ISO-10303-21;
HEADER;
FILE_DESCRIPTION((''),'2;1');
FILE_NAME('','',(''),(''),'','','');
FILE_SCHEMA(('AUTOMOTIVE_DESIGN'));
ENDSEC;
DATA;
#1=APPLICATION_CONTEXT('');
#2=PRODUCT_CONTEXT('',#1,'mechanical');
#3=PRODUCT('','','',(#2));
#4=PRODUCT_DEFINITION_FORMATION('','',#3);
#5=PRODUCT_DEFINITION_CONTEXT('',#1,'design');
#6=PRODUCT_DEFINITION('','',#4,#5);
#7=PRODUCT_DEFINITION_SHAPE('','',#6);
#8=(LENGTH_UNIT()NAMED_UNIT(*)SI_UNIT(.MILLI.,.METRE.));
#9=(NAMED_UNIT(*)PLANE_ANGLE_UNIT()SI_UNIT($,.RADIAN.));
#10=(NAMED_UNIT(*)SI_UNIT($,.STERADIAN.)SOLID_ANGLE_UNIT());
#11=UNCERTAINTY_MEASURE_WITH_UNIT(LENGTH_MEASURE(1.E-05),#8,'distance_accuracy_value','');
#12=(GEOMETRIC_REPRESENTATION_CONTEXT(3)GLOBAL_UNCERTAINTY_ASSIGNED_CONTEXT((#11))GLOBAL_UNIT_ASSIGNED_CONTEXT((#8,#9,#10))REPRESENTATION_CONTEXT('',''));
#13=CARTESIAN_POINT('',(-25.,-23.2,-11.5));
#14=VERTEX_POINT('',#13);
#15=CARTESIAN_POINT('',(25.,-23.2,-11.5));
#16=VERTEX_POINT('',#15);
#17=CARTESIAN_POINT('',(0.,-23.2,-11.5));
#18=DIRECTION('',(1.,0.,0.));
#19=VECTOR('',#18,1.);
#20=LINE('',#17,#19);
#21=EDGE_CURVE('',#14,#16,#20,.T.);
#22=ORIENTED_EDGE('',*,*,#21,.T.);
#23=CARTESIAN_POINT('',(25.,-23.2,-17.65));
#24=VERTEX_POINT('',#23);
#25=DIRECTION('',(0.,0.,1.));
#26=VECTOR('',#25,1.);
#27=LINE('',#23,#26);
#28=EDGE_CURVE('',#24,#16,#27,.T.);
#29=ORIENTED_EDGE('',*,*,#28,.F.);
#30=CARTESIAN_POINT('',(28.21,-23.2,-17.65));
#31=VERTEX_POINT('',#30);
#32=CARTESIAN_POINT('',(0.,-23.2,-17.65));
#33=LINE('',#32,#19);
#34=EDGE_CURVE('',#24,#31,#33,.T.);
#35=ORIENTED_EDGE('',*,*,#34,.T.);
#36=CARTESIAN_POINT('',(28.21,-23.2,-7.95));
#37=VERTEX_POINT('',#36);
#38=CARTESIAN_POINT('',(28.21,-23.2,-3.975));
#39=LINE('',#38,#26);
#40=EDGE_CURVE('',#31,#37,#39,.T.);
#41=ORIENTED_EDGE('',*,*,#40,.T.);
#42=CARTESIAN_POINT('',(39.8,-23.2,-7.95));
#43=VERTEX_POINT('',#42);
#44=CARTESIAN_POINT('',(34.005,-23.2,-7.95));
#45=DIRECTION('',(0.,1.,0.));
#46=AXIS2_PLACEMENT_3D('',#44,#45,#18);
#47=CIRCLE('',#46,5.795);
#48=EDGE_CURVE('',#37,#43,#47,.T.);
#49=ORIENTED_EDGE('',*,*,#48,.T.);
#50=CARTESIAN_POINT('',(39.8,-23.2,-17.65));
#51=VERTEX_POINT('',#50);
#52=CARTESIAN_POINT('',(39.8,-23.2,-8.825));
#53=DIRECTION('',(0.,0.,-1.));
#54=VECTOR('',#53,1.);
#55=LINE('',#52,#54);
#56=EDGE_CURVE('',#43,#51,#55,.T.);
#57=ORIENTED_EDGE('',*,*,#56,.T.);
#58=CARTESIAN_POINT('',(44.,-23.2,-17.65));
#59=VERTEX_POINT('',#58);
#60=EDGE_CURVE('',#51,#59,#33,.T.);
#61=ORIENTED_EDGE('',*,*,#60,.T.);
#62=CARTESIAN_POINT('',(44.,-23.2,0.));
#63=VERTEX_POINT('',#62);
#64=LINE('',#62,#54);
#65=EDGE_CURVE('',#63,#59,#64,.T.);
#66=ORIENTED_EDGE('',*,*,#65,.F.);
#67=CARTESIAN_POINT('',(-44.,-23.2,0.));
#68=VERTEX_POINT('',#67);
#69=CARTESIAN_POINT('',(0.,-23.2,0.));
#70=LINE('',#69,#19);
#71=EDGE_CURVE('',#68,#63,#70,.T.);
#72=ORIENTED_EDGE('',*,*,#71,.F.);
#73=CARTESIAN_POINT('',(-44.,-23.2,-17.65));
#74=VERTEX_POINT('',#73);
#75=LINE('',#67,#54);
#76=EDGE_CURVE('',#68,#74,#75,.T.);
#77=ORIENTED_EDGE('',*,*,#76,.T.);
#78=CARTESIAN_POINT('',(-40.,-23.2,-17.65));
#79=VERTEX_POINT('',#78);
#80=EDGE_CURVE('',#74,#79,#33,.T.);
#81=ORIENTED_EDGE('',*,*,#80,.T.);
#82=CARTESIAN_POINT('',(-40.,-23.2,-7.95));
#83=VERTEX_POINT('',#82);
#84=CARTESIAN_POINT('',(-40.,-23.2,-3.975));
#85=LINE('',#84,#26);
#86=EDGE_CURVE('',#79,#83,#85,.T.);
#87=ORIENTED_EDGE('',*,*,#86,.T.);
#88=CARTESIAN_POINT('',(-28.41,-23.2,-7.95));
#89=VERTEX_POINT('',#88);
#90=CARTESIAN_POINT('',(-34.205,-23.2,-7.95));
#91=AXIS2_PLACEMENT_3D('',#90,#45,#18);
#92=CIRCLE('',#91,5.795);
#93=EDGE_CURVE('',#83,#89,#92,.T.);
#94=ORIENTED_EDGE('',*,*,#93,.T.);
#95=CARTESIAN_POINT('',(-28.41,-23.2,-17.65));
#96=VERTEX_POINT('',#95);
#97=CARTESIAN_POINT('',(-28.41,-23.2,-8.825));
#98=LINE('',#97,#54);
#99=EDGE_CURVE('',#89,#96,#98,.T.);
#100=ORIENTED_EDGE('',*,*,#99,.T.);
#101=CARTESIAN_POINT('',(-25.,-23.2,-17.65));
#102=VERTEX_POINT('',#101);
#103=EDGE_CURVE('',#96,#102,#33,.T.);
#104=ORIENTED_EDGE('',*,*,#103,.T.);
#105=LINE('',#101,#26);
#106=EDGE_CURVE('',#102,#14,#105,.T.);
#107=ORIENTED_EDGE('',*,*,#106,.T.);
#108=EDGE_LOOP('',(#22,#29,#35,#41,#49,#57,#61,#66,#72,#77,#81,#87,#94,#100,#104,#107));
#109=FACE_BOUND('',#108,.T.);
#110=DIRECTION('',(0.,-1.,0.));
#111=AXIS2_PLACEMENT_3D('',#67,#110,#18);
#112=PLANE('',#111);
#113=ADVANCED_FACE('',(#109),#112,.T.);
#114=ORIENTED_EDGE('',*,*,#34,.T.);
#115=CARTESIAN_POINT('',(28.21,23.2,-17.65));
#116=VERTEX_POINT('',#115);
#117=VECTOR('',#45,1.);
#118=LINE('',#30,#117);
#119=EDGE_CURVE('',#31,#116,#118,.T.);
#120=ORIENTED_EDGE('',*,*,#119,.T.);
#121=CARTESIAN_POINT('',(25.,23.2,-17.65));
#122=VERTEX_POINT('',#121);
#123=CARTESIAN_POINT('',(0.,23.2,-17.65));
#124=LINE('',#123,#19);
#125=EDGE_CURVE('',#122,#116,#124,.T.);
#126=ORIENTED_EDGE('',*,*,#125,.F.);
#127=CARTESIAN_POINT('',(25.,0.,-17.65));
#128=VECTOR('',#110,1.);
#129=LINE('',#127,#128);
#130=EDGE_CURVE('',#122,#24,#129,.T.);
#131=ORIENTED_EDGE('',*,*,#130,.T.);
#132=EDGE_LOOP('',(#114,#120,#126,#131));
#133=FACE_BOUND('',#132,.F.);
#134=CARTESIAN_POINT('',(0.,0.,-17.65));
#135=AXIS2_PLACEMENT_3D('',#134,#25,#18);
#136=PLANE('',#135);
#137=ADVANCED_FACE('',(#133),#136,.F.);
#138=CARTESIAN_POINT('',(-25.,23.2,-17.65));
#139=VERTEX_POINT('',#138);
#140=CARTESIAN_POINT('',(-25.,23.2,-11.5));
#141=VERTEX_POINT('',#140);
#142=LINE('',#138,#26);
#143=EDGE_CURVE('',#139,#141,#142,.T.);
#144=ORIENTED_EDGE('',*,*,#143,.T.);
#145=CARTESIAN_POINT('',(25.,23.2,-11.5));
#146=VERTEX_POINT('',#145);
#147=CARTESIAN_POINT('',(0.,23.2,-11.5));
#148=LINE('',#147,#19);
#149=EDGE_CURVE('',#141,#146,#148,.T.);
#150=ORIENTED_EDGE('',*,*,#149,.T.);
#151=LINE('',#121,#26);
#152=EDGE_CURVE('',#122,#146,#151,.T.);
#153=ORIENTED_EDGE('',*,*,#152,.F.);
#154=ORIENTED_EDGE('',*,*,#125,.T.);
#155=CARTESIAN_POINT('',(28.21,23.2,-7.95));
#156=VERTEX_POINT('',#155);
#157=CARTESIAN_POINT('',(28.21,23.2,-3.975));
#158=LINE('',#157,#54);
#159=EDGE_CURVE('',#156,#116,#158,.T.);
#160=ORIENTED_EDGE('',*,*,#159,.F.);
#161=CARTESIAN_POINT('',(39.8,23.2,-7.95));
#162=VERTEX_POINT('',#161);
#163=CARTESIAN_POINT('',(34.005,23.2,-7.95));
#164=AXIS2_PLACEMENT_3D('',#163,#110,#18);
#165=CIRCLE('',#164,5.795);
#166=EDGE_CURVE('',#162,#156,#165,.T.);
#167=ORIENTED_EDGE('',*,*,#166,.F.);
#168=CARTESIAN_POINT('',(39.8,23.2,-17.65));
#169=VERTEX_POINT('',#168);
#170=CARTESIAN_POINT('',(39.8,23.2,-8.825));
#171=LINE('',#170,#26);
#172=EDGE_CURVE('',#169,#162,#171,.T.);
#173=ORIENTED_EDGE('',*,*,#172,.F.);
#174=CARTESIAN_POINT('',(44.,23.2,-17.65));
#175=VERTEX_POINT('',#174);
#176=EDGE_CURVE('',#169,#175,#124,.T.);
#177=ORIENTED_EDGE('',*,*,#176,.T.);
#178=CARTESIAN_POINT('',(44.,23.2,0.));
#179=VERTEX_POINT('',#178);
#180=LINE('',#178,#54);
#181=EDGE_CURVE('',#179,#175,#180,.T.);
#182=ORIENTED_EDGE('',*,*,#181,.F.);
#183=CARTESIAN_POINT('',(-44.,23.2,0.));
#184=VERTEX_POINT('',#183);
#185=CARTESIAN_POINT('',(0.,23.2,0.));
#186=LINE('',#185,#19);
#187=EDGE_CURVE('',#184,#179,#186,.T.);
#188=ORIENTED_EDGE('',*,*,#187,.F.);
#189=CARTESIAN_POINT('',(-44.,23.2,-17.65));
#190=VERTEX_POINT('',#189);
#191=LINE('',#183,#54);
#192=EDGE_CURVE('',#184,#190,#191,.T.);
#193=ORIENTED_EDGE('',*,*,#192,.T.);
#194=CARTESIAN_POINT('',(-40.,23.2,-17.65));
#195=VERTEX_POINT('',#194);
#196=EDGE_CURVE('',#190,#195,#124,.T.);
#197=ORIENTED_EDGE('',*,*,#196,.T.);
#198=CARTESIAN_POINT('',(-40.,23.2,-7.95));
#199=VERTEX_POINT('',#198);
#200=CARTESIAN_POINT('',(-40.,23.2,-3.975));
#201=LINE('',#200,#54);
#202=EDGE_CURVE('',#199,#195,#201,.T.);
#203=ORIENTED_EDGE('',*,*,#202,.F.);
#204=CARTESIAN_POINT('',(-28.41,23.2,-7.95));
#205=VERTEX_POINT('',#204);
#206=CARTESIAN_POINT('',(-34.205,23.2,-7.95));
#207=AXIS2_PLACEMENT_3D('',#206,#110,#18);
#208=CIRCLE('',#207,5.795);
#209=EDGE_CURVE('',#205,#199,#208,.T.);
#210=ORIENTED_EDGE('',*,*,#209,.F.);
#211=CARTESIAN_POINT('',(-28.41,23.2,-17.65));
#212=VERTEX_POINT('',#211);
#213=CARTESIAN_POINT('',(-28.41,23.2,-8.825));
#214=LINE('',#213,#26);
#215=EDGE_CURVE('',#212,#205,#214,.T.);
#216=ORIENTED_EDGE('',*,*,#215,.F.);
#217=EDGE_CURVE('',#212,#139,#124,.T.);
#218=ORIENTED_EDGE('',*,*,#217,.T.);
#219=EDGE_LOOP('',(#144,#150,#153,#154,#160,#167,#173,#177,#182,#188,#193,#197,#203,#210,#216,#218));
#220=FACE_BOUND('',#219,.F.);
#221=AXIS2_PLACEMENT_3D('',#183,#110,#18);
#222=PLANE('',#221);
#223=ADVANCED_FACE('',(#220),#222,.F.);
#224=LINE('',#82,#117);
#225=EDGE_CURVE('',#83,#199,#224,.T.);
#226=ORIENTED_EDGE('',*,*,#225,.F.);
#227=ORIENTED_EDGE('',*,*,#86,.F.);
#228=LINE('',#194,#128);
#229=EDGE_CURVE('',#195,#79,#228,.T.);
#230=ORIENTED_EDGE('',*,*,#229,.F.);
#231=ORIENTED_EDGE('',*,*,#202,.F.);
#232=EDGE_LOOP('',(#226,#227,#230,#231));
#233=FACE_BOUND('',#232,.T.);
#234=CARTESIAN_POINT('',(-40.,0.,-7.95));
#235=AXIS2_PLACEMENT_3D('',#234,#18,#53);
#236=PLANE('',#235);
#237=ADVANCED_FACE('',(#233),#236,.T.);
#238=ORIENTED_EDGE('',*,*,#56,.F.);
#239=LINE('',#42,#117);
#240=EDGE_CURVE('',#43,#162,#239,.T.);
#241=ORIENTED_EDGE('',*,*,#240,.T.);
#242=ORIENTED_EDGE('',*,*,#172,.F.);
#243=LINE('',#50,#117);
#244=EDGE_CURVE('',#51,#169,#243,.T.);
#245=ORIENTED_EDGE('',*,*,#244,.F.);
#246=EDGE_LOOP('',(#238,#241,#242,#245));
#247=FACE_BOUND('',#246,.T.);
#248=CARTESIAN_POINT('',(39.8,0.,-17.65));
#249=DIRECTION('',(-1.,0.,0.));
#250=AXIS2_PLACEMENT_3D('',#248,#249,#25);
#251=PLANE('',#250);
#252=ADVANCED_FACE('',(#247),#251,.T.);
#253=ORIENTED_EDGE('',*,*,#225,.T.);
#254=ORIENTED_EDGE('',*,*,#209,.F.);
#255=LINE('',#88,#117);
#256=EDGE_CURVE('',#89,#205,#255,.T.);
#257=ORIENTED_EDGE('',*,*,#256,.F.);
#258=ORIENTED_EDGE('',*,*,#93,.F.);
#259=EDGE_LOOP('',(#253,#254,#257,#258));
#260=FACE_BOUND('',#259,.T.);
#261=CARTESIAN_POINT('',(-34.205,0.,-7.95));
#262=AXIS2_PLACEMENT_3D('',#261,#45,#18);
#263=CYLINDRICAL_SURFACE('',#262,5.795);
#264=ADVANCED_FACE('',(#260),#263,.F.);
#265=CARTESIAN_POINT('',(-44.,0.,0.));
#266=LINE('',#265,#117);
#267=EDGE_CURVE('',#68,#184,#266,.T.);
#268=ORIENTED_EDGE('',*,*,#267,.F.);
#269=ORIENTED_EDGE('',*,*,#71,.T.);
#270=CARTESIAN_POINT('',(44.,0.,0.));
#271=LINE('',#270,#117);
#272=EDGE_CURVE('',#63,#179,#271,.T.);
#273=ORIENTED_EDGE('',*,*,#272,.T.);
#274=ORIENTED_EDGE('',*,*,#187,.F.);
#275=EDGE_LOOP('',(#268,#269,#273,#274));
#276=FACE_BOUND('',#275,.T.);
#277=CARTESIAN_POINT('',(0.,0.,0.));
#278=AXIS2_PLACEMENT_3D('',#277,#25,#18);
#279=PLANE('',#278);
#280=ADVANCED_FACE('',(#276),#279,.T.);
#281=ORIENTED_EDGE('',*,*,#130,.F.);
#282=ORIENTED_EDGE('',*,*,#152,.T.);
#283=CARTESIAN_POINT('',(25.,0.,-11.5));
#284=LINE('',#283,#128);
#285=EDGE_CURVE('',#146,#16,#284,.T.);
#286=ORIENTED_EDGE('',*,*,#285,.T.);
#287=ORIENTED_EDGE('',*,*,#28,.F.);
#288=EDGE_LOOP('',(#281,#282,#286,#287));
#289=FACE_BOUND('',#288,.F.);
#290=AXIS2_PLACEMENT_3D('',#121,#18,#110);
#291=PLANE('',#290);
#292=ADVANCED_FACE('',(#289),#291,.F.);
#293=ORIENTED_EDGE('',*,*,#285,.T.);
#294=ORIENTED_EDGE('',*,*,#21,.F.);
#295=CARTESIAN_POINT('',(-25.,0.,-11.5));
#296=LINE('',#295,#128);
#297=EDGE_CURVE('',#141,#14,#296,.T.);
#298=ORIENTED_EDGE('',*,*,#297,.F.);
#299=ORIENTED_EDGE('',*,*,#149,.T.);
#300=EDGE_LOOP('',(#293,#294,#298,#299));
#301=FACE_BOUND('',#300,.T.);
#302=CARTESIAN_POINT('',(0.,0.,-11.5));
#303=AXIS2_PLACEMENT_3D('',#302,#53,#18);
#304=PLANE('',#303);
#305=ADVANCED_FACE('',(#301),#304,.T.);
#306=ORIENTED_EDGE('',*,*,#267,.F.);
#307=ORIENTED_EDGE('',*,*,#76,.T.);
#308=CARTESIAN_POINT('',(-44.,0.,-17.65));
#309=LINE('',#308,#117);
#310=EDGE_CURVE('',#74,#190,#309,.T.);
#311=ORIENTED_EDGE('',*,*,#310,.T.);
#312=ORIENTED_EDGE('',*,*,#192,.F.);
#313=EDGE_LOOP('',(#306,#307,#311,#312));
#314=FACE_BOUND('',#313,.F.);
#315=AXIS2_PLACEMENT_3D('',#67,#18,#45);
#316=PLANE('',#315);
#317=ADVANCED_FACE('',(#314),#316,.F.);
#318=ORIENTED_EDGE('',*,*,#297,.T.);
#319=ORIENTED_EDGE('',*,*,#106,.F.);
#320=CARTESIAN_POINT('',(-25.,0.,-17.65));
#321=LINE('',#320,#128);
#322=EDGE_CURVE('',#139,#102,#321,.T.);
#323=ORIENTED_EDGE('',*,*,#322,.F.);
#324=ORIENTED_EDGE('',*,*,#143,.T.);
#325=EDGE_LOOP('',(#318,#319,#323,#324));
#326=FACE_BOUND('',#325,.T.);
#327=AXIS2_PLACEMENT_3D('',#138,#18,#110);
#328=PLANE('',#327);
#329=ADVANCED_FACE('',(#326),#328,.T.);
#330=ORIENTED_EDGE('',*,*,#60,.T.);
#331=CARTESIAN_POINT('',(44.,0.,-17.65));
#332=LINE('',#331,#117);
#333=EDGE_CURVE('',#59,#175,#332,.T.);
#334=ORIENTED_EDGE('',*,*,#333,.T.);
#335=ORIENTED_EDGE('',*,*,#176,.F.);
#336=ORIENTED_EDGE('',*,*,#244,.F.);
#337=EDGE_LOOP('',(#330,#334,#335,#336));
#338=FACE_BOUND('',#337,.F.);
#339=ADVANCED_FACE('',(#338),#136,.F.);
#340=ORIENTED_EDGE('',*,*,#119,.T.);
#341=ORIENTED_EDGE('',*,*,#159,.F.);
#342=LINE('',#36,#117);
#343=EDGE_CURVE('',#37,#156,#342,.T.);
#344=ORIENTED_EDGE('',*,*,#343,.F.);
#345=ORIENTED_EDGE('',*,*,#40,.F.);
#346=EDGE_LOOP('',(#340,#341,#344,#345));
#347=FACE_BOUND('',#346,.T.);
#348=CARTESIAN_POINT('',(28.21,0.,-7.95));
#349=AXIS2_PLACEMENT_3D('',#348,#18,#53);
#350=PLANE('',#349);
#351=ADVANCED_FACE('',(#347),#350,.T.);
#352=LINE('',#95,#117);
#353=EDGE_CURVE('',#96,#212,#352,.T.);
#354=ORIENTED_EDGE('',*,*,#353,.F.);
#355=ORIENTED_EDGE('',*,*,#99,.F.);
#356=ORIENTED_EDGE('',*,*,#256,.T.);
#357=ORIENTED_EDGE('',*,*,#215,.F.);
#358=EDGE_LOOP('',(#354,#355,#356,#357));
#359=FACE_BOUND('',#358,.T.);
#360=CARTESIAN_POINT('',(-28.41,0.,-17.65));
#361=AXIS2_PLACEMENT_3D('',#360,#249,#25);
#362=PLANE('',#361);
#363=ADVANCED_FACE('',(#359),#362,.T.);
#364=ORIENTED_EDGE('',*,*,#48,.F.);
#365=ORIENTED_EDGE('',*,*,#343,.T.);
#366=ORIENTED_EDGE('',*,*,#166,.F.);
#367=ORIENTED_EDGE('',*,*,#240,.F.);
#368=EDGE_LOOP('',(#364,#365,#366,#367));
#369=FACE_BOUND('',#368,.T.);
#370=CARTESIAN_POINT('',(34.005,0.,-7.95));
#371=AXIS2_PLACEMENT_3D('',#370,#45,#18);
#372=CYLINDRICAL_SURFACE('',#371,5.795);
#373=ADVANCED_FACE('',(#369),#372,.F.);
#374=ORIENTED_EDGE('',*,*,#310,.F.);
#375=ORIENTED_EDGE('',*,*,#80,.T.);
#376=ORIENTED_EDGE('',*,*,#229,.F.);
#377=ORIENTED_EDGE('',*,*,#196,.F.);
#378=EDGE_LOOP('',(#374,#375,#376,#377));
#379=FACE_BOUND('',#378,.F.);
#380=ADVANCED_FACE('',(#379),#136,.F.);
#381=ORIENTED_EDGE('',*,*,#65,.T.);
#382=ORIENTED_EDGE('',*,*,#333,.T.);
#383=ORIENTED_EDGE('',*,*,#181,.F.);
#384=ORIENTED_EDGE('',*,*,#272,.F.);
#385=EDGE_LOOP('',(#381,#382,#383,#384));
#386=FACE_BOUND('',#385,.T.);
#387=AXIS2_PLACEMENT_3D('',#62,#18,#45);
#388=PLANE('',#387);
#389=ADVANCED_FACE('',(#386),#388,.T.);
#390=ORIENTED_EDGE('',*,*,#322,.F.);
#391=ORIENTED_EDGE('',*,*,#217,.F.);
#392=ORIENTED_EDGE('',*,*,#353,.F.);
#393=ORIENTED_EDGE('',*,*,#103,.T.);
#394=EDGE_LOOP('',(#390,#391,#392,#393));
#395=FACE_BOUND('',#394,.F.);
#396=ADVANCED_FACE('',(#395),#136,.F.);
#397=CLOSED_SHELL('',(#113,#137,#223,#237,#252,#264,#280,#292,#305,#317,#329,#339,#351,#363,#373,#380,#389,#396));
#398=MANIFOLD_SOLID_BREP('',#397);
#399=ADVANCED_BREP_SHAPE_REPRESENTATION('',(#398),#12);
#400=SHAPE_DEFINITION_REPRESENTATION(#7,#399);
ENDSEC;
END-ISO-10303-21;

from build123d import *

# Parameters (mm, degrees)
F0_W          = 88
F0_H          = 46.4
F1_DEPTH      = 17.65
F2_W          = 50
F2_H          = 46.4
F3_DEPTH      = 6.15
F5_DEPTH      = 23.201
F5_DEPTH_BACK = 23.201


with BuildPart() as f1:
    # F0 (on Top) → F1 (new body)
    with BuildSketch(Plane.XY):
        Rectangle(F0_W, F0_H)
    extrude(amount=-F1_DEPTH)

    # F2 (on face) → F3 (cut)
    with BuildSketch(Plane(origin=(0, 0, -17.65), x_dir=(1, 0, 0), z_dir=(0, 0, -1))):
        Rectangle(F2_W, F2_H)
    extrude(amount=-F3_DEPTH, mode=Mode.SUBTRACT)

    # F4 (on Front) → F5 (cut, two sides)
    with BuildSketch(Plane.XZ) as f5_sk:
        with BuildLine():
            Line((-40, -7.95), (-40, -17.65))
            Line((-40, -17.65), (-28.41, -17.65))
            Line((-28.41, -17.65), (-28.41, -7.95))
            ThreePointArc((-28.41, -7.95), (-34.205, -2.155), (-40, -7.95))
        make_face()
        with BuildLine():
            Line((28.21, -7.95), (28.21, -17.65))
            Line((28.21, -17.65), (39.8, -17.65))
            Line((39.8, -17.65), (39.8, -7.95))
            ThreePointArc((39.8, -7.95), (34.005, -2.155), (28.21, -7.95))
        make_face()
    extrude(amount=-F5_DEPTH, mode=Mode.SUBTRACT)
    extrude(f5_sk.sketch, amount=F5_DEPTH_BACK, mode=Mode.SUBTRACT)


solid = f1.part
